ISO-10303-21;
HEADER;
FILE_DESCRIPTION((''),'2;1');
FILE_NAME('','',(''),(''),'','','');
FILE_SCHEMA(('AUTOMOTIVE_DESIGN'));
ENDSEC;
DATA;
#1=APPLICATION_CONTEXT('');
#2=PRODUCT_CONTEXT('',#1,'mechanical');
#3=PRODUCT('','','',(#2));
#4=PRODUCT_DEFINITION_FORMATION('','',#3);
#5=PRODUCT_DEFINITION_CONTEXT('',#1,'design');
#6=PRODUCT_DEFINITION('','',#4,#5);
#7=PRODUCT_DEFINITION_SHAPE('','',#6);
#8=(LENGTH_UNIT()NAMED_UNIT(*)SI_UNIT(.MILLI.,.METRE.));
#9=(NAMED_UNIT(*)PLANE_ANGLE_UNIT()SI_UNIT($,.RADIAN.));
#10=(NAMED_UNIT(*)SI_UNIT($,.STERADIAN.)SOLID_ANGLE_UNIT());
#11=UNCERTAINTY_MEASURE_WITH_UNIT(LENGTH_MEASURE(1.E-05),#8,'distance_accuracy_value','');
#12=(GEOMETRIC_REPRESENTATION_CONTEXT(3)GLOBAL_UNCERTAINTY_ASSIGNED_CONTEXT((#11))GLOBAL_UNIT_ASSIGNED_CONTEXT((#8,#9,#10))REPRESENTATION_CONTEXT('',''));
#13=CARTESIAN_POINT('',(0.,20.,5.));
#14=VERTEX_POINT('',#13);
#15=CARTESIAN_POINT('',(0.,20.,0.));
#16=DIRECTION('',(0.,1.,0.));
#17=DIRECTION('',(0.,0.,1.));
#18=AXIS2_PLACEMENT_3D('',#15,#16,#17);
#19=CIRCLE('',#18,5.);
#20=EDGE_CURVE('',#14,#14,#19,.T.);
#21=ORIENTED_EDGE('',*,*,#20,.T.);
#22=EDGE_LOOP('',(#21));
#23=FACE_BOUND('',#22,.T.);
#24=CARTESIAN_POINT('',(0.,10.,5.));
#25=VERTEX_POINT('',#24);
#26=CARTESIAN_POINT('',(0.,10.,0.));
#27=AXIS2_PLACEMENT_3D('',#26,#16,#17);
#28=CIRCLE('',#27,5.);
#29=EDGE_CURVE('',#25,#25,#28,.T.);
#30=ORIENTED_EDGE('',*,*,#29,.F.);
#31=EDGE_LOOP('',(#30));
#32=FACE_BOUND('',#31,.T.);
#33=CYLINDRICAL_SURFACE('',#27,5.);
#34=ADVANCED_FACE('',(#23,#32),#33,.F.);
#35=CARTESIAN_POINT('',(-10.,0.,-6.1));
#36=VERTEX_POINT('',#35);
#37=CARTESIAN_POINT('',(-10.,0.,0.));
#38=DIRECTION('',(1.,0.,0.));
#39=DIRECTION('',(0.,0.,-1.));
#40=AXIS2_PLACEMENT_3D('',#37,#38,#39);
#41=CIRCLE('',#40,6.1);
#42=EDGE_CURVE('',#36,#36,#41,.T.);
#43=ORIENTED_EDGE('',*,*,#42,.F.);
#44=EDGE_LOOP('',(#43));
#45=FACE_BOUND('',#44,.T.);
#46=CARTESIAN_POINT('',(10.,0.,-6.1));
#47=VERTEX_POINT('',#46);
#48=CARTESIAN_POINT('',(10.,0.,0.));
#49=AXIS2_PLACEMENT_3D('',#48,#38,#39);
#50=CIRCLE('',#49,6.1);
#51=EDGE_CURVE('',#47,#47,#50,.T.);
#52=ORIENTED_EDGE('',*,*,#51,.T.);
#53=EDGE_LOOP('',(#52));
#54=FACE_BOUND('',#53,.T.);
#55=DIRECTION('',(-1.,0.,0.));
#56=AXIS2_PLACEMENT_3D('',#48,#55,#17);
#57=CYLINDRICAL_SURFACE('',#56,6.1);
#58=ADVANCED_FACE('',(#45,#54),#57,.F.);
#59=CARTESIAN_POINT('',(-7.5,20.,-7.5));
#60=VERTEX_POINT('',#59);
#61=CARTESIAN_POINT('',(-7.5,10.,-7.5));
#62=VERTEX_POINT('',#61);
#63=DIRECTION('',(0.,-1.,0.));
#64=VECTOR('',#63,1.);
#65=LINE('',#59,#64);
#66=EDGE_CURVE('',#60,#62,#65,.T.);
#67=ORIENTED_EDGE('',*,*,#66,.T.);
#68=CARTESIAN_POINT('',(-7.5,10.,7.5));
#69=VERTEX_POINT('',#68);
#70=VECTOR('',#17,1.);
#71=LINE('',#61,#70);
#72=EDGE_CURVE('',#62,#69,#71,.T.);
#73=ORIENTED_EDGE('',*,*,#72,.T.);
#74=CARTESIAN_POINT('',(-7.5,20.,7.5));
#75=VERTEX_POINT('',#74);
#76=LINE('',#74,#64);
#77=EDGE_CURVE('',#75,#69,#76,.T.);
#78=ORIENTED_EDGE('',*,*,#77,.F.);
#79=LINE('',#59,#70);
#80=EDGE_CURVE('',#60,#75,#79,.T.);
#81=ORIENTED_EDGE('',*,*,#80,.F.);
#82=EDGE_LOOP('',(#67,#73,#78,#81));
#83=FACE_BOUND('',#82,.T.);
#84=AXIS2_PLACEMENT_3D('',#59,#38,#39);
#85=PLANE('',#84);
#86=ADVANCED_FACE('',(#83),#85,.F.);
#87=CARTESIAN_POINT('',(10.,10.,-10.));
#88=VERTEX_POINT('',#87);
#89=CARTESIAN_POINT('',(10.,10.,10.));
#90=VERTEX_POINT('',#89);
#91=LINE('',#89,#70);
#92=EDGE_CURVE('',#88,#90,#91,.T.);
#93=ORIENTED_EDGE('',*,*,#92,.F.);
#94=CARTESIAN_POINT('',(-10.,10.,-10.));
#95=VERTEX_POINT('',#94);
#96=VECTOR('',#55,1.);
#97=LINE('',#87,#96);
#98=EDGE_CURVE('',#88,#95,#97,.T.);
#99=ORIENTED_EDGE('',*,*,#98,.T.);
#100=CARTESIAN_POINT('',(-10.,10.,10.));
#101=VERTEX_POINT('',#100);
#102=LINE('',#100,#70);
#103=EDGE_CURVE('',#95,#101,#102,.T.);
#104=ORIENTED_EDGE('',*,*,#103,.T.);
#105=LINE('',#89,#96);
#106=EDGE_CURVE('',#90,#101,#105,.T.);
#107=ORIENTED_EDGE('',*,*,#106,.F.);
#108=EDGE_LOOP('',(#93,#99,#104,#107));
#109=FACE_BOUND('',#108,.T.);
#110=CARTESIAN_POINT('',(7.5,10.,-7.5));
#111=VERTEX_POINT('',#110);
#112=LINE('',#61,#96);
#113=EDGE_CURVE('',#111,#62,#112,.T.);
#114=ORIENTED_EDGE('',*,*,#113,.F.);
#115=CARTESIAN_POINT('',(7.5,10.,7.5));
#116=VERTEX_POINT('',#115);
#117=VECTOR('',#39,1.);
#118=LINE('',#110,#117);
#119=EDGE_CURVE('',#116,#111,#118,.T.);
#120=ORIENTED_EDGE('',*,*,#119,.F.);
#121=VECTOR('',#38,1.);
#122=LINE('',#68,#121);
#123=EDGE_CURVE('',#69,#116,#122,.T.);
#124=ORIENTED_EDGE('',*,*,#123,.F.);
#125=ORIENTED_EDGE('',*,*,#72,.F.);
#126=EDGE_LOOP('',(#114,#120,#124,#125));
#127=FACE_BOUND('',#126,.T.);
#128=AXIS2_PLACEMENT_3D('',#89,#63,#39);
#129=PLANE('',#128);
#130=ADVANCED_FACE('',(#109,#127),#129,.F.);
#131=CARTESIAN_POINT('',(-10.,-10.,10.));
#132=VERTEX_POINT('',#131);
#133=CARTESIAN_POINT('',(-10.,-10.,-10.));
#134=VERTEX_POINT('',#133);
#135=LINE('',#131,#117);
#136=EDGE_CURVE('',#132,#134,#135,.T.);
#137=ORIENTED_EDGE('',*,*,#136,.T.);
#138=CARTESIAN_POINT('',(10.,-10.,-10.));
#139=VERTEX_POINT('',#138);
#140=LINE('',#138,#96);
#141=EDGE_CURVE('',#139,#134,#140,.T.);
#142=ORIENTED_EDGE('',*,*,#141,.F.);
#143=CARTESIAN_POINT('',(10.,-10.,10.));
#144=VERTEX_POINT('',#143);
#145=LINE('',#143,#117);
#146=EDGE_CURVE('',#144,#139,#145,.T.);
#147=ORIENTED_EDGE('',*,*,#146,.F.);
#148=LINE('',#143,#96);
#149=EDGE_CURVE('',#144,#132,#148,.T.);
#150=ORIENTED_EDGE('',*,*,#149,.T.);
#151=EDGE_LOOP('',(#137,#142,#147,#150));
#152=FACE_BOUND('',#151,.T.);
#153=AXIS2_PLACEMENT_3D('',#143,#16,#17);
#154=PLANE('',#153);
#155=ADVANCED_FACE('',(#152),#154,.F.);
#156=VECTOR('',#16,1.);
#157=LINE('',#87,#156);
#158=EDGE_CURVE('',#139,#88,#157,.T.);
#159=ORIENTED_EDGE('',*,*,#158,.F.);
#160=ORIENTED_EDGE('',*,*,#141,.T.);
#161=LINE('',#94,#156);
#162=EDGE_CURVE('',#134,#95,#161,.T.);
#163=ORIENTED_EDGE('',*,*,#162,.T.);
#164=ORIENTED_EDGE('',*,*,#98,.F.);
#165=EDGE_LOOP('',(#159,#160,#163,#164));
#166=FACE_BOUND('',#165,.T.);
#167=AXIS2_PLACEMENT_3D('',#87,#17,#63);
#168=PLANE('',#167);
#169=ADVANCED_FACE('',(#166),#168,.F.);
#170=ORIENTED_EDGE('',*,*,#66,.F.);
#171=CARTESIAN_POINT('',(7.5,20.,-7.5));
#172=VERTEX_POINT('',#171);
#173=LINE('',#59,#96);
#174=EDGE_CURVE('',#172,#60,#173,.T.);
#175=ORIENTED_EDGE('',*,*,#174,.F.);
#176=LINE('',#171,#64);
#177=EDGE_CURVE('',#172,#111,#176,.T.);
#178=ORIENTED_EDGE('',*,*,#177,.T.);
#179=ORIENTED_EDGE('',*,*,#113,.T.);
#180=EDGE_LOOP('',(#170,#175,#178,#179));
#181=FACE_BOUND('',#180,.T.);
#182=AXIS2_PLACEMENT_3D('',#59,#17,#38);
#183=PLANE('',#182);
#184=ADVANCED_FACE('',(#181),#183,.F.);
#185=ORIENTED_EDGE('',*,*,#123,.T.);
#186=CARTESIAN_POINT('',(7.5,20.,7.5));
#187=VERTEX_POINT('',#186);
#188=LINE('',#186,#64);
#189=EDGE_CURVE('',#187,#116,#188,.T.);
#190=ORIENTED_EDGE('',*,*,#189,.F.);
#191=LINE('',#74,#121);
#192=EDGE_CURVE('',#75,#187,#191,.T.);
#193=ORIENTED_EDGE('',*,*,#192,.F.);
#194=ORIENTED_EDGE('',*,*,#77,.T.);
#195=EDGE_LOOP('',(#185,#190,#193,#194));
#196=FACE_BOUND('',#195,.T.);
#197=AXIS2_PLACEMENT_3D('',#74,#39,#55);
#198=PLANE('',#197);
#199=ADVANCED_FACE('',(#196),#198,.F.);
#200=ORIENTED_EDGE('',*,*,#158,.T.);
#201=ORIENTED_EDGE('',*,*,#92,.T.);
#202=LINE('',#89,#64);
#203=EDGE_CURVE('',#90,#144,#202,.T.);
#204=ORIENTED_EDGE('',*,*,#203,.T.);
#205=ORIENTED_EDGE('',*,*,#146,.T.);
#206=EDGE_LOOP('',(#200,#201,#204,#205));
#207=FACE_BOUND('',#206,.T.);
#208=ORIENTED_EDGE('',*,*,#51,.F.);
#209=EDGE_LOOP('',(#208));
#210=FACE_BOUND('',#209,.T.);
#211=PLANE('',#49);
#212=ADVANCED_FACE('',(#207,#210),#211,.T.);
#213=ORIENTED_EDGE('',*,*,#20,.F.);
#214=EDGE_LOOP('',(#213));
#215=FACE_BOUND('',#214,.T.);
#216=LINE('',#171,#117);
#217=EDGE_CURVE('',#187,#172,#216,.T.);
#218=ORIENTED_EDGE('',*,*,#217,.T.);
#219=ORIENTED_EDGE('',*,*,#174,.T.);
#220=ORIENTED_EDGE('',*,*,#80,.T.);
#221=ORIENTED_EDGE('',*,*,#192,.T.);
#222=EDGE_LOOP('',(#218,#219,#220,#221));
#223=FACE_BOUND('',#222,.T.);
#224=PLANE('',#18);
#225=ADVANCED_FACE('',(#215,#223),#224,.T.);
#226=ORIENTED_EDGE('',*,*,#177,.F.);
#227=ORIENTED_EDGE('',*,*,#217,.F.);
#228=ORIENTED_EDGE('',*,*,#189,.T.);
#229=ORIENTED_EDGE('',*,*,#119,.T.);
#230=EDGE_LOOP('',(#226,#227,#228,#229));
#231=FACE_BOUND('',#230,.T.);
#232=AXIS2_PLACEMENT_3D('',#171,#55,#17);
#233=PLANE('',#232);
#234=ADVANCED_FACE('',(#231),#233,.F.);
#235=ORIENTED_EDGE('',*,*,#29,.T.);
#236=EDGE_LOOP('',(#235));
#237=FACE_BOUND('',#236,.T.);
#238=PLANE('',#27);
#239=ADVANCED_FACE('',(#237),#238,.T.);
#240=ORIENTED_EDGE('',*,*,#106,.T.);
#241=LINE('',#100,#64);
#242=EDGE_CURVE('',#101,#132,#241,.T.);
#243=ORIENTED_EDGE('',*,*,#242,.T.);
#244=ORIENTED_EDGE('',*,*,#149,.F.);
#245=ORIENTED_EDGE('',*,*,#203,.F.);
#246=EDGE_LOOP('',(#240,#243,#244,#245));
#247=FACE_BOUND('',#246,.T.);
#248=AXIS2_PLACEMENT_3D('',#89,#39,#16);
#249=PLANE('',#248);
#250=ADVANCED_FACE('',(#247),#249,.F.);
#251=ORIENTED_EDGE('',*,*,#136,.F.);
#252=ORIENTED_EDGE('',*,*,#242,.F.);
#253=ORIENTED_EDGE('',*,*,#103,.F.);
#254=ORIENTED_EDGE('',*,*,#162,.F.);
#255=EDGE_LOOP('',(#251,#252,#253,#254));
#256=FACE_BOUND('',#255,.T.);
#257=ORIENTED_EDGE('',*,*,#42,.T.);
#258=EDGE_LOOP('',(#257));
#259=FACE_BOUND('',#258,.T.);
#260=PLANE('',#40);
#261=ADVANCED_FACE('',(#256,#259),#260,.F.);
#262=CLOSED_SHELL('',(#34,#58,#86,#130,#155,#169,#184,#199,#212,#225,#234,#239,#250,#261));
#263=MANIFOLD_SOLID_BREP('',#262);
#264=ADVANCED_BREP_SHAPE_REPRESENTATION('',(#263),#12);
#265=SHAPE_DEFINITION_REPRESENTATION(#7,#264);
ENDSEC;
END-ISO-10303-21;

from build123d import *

# Parameters (mm, degrees)
SKETCH1_W           = 20
SKETCH1_H           = 20
SKETCH1_R           = 6.1
BOSS_EXTRUDE1_DEPTH = 10
SKETCH2_W           = 15
SKETCH2_H           = 15
BOSS_EXTRUDE2_DEPTH = 10
SKETCH3_R           = 5
CUT_EXTRUDE1_DEPTH  = 10


with BuildPart() as part:
    # Sketch1 → Boss-Extrude1 (new body, symmetric)
    with BuildSketch(Plane(origin=(0, 0, 0), x_dir=(0, 0, -1), z_dir=(1, 0, 0))):
        Rectangle(SKETCH1_W, SKETCH1_H)
        Circle(SKETCH1_R, mode=Mode.SUBTRACT)
    extrude(amount=BOSS_EXTRUDE1_DEPTH, both=True)

    # Sketch2 → Boss-Extrude2 (add)
    with BuildSketch(Plane(origin=(0, 10, 0), x_dir=(1, 0, 0), z_dir=(0, 1, 0))):
        Rectangle(SKETCH2_W, SKETCH2_H)
    extrude(amount=BOSS_EXTRUDE2_DEPTH)

    # Sketch3 → Cut-Extrude1 (cut)
    with BuildSketch(Plane(origin=(0, 20, 0), x_dir=(1, 0, 0), z_dir=(0, 1, 0))):
        Circle(SKETCH3_R)
    extrude(amount=-CUT_EXTRUDE1_DEPTH, mode=Mode.SUBTRACT)


solid = part.part
